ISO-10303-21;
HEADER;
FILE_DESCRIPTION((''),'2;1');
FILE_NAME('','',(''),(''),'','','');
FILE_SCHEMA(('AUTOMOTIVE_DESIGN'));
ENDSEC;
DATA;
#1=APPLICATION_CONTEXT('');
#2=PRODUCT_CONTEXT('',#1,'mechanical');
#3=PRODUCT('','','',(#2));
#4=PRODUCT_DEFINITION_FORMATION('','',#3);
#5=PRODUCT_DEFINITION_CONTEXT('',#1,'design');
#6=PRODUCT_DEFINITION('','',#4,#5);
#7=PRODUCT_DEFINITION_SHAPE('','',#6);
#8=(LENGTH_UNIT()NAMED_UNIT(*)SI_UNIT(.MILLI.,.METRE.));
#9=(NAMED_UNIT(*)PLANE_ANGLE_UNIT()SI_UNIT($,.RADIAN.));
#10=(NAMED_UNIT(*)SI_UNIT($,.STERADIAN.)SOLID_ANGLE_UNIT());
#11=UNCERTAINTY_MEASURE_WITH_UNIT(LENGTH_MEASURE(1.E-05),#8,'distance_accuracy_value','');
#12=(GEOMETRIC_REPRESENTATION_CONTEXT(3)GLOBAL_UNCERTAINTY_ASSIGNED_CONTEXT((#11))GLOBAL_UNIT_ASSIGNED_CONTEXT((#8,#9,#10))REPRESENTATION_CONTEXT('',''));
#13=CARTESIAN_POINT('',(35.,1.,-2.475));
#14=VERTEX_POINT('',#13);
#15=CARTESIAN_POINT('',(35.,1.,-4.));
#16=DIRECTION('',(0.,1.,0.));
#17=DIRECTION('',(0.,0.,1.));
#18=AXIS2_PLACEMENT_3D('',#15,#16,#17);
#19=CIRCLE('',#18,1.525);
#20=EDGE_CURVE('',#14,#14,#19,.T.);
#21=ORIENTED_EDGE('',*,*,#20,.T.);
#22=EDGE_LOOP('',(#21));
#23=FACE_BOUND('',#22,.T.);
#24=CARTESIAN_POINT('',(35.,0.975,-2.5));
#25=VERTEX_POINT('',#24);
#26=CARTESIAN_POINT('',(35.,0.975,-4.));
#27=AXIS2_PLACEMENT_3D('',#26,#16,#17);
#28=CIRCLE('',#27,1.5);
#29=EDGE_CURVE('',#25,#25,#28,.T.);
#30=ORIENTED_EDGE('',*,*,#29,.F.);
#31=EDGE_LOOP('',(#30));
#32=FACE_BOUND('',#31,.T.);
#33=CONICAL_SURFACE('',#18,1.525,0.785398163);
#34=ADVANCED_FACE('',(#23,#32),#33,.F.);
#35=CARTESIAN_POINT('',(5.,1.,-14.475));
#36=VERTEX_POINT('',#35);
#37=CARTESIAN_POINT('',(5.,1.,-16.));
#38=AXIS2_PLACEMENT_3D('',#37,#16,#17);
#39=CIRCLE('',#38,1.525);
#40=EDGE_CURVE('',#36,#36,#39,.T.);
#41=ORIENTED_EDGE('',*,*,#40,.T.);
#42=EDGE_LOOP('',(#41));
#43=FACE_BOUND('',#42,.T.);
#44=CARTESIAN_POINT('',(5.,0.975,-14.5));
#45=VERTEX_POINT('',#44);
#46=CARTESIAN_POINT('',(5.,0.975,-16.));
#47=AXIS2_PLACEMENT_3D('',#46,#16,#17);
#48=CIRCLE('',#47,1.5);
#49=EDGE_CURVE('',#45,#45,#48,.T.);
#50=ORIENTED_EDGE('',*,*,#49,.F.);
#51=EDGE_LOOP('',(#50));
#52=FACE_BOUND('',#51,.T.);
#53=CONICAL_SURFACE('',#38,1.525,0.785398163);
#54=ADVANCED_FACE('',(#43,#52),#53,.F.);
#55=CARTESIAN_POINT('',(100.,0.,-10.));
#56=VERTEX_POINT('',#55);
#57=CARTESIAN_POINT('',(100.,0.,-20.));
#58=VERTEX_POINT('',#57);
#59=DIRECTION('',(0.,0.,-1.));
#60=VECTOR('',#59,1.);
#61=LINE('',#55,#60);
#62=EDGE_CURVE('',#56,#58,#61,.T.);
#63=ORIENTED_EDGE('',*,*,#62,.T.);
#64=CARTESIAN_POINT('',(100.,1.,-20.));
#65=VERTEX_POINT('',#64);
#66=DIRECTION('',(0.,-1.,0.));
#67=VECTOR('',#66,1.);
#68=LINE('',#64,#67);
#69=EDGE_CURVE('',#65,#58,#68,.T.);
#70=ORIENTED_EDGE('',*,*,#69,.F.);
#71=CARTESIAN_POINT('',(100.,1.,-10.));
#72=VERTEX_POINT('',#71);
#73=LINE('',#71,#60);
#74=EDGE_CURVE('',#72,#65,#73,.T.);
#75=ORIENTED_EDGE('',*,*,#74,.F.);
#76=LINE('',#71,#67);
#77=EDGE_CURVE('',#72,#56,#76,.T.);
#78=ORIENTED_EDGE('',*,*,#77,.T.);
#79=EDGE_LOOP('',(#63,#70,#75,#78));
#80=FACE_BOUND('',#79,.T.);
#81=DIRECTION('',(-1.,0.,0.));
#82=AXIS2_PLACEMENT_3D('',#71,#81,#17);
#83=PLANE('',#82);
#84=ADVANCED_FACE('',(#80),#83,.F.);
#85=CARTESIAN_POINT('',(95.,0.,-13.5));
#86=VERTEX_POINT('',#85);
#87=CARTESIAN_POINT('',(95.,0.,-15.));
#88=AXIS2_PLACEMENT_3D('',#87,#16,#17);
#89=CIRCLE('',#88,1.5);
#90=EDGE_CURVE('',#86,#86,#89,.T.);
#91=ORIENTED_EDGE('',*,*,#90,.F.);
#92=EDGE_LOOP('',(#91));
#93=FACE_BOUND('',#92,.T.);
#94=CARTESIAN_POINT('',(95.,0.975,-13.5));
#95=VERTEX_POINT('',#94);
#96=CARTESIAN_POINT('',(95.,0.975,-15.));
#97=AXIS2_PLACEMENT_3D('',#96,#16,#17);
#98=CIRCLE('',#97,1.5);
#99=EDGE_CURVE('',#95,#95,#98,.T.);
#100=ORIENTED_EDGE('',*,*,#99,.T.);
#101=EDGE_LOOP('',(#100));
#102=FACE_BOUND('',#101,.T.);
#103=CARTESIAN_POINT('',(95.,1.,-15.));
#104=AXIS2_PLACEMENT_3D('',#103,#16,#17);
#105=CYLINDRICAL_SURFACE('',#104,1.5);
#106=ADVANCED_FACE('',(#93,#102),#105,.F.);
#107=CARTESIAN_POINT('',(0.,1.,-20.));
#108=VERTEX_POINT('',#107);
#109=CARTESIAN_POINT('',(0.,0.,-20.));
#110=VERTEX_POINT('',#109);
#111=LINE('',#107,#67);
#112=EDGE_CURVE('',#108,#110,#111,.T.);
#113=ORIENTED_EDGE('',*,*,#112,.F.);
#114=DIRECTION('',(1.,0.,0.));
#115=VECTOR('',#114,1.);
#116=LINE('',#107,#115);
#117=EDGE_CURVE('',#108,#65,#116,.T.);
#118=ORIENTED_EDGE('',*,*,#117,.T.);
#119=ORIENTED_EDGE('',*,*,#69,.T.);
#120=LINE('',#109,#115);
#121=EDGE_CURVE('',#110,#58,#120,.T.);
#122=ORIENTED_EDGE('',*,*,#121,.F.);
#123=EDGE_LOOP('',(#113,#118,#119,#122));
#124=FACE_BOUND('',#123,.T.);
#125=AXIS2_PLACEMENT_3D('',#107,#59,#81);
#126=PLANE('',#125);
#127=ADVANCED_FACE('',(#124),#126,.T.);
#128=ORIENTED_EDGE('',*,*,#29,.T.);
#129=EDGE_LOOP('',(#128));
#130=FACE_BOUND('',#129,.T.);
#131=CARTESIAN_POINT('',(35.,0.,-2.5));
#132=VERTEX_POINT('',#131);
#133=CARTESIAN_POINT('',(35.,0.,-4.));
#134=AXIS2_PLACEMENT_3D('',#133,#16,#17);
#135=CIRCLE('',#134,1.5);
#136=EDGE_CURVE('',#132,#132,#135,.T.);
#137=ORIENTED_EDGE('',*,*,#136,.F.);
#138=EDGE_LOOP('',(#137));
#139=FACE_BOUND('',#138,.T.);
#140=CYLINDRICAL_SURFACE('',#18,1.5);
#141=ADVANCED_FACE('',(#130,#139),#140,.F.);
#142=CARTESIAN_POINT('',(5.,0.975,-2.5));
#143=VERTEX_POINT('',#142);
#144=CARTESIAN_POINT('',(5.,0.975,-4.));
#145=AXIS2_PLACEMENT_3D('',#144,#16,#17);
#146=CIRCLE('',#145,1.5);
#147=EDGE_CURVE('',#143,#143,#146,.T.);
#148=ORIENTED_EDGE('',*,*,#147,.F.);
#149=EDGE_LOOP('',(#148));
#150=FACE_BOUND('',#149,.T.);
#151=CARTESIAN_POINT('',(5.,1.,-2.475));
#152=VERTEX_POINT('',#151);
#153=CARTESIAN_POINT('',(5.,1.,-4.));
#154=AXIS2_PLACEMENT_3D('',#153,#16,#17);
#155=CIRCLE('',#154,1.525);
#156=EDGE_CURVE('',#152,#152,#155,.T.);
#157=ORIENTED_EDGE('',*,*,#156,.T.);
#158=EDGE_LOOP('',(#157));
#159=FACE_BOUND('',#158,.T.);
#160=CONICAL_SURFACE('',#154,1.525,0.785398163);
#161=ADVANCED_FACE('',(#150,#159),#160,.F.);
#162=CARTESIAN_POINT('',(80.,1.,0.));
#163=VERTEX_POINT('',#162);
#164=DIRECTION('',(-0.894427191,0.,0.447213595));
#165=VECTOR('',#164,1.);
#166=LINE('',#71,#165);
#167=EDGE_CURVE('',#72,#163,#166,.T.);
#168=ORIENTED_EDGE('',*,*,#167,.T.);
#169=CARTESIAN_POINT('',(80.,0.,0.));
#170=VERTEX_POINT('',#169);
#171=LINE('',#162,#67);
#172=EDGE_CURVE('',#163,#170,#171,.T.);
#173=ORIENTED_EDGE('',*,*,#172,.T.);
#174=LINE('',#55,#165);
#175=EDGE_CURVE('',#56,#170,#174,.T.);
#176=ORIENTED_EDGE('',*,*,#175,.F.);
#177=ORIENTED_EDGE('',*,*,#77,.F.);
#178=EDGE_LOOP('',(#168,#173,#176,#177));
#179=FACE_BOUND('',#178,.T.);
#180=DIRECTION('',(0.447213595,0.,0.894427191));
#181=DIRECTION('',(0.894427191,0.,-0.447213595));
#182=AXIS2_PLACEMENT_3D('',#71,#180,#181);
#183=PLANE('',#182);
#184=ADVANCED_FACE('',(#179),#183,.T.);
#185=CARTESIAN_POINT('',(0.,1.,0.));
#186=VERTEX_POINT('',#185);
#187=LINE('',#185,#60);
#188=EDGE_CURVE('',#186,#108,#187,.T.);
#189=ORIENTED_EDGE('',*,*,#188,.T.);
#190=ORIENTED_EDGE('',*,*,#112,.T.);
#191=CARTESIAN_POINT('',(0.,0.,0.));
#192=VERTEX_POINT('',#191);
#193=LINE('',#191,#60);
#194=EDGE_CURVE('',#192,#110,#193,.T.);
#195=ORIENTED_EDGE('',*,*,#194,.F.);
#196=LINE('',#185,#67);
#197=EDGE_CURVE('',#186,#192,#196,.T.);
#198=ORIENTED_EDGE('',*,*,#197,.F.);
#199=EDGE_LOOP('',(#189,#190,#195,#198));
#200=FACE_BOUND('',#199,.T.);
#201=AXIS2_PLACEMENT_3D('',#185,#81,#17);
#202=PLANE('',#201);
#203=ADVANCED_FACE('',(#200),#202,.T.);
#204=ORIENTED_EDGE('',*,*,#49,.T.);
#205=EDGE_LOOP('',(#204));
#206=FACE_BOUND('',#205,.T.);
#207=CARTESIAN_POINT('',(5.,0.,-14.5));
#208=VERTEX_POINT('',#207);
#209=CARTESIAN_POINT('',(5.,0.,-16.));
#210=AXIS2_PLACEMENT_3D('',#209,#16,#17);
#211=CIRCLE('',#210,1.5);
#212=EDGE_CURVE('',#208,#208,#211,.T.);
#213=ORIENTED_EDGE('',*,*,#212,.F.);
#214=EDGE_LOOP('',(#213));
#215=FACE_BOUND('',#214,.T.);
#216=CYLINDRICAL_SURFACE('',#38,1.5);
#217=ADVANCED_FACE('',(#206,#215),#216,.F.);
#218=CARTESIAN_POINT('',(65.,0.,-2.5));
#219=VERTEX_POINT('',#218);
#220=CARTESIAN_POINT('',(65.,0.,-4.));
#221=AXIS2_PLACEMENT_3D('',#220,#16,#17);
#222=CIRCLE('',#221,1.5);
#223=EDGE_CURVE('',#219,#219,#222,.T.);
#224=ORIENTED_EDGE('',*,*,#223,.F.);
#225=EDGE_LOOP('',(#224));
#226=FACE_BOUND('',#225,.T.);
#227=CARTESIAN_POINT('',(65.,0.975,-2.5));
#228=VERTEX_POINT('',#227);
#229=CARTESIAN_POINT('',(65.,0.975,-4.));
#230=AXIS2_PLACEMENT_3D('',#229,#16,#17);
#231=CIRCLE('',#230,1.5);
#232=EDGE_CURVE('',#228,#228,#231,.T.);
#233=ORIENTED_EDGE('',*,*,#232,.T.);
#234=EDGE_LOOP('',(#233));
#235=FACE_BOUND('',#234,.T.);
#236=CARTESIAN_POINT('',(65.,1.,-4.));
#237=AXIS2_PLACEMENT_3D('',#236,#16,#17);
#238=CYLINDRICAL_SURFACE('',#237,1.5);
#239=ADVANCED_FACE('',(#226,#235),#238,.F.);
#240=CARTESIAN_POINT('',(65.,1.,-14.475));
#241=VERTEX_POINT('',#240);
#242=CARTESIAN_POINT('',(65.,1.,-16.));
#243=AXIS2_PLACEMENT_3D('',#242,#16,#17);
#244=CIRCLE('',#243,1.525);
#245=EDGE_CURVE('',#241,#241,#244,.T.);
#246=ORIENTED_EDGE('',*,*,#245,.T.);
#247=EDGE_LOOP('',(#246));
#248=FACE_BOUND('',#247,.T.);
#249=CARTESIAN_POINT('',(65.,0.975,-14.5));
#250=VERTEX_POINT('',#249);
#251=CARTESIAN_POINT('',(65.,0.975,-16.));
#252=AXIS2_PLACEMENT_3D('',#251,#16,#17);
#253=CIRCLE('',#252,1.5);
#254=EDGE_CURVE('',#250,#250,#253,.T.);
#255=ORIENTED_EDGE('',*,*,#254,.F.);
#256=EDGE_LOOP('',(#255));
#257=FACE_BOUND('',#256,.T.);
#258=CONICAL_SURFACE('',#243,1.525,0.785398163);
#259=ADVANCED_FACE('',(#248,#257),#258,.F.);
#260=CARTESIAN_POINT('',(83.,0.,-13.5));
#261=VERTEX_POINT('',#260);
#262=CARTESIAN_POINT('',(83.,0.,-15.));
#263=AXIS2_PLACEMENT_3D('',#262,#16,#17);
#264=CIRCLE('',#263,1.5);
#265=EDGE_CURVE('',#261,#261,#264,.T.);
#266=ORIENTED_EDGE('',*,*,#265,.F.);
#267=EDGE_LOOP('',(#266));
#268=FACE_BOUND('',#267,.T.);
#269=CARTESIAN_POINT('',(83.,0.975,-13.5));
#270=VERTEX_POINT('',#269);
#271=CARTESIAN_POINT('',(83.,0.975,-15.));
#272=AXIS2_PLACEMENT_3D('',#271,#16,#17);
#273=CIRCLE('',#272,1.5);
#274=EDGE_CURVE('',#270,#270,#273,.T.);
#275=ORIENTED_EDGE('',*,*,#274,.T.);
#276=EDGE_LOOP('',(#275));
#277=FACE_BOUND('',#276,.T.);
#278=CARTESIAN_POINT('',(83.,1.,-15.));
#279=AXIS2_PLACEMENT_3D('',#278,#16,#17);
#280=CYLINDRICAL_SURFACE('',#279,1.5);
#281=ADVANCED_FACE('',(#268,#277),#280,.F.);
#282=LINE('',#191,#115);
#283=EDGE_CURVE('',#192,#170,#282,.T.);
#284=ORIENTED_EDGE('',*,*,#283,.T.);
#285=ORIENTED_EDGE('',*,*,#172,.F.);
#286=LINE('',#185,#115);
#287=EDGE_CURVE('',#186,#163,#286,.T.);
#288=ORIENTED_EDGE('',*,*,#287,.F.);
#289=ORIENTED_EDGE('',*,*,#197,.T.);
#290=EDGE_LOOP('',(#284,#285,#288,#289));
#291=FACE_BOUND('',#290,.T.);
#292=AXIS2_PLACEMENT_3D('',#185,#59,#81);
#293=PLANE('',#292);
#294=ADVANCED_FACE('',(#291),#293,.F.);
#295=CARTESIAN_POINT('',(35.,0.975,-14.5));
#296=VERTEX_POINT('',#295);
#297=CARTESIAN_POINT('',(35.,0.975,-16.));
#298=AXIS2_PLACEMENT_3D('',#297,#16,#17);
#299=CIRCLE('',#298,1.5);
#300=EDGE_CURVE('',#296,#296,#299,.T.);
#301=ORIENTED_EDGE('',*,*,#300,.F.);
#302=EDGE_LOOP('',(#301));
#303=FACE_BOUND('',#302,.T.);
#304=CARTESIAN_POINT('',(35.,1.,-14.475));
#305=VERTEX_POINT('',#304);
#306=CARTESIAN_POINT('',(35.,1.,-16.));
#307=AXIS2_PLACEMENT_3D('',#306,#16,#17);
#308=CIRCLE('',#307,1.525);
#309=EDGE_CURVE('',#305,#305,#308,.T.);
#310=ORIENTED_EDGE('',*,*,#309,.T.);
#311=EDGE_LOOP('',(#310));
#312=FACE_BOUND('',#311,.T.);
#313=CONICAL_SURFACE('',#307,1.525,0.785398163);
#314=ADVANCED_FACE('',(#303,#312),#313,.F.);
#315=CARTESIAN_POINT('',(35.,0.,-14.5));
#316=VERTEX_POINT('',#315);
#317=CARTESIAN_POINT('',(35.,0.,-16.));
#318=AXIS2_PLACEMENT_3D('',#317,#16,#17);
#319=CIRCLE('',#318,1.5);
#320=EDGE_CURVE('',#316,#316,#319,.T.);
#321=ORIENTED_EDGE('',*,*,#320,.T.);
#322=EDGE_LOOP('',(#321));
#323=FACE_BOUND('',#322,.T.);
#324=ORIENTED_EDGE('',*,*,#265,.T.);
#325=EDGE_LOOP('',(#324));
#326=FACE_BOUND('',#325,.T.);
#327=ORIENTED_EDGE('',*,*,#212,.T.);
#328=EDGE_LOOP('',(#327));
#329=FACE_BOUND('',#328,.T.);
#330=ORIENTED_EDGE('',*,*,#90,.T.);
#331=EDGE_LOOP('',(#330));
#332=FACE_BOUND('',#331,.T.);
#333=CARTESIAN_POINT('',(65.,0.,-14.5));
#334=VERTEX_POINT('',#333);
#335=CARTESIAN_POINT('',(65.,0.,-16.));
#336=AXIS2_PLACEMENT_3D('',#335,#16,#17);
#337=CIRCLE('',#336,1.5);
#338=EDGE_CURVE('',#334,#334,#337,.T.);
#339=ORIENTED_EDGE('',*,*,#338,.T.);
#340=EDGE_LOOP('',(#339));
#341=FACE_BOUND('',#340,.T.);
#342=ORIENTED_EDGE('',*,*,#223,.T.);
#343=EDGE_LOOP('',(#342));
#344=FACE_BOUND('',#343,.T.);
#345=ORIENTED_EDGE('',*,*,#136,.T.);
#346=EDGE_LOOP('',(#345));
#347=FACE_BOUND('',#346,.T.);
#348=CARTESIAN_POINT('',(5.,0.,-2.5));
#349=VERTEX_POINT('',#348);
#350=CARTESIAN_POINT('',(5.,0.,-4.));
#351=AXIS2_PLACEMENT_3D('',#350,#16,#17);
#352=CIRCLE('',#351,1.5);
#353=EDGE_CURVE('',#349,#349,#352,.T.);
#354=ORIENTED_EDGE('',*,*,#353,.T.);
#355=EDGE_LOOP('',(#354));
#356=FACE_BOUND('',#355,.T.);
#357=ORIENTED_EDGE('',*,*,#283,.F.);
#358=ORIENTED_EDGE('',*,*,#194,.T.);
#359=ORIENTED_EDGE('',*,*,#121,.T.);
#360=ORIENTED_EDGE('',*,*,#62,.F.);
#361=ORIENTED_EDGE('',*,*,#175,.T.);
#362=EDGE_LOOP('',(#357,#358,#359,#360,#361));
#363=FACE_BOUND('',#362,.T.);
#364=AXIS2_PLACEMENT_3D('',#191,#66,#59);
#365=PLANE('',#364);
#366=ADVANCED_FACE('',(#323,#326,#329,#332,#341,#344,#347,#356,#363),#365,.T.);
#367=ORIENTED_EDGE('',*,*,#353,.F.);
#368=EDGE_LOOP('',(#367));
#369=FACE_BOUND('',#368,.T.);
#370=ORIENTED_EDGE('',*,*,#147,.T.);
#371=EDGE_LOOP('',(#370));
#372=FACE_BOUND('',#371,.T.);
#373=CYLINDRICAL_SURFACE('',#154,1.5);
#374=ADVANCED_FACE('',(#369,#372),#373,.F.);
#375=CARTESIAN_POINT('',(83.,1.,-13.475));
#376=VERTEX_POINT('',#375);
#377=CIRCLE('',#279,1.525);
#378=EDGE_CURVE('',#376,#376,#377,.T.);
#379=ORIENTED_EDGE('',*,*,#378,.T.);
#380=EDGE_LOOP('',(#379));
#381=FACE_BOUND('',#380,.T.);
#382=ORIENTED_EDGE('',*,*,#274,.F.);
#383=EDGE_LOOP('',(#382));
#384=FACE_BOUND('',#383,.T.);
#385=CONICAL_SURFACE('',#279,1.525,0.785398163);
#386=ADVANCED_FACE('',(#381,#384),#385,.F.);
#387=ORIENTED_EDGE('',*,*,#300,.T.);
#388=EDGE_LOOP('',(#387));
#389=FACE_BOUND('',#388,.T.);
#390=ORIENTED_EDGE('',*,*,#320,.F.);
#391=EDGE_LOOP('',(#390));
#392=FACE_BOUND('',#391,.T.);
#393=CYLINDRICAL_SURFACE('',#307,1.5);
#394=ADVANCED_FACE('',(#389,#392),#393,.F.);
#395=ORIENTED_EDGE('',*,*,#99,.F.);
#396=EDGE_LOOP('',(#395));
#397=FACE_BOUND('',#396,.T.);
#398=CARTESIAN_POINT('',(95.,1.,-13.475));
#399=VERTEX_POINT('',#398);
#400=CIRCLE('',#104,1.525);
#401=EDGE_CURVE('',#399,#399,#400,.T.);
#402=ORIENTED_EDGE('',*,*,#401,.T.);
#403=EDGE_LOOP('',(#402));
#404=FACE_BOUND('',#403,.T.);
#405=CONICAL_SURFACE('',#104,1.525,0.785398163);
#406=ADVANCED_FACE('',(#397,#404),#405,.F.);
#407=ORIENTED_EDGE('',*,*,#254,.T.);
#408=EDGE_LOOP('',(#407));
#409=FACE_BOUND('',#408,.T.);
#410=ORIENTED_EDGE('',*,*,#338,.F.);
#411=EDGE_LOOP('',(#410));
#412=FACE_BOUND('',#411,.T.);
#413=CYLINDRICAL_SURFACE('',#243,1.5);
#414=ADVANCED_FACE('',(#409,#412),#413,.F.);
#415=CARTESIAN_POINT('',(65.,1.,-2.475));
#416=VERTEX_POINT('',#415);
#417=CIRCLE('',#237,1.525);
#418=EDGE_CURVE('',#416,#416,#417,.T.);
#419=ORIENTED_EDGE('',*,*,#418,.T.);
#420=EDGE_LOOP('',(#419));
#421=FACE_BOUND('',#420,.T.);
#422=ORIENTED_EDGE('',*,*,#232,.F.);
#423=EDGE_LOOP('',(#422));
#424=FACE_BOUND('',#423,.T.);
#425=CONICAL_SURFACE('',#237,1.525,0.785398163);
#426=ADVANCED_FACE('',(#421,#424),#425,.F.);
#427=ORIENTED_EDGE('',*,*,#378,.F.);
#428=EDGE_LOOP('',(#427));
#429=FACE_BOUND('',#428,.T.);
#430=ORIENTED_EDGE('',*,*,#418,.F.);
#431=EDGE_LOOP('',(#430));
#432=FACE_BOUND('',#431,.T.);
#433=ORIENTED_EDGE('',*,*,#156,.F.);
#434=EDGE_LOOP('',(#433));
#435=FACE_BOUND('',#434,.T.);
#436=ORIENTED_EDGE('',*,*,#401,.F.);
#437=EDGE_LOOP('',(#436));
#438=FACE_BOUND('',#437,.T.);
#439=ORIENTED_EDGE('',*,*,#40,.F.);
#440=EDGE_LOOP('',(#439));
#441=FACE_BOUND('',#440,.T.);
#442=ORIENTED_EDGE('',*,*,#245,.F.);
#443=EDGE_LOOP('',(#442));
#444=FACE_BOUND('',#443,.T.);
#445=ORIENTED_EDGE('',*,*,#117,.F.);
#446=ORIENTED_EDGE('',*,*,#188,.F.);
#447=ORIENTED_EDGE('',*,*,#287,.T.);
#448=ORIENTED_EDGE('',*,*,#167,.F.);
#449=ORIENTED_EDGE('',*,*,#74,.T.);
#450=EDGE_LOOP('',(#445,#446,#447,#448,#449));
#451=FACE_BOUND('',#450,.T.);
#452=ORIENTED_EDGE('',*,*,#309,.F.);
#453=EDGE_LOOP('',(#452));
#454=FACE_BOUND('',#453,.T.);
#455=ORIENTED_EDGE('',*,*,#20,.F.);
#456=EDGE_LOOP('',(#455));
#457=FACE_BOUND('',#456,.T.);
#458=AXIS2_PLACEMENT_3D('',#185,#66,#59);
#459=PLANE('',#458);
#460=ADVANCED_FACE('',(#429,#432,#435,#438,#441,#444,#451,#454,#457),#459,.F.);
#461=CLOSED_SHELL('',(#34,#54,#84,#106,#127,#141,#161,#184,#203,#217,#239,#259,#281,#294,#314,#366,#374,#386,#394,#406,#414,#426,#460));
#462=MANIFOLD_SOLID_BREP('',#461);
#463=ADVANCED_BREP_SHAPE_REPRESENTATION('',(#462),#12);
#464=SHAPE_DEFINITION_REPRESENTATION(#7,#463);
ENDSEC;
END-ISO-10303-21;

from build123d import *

# Parameters (mm, degrees)
EXTRUDE_1_DEPTH      = 1
F_3_0MM_1_AT_2_COUNT = 2
F_3_0MM_1_AT_2_PITCH = 12
F_3_0MM_1_AT_3_COUNT = 2
F_3_0MM_1_AT_3_PITCH = 30
F_3_0MM_1_AT_4_COUNT = 2
F_3_0MM_1_AT_4_PITCH = 60
F_3_0MM_1_AT_5_COUNT = 2
F_3_0MM_1_AT_5_PITCH = 32.310988843
F_3_0MM_1_AT_6_COUNT = 2
F_3_0MM_1_AT_6_PITCH = 61.188234163
F_3_0MM_1_AT_7_COUNT = 2
F_3_0MM_1_AT_7_PITCH = 78.006409993
F_3_0MM_1_AT_8_COUNT = 2
F_3_0MM_1_AT_8_PITCH = 90.005555384


with BuildPart() as part:
    # 草图1 → 凸台-拉伸1 (new body)
    with BuildSketch(Plane(origin=(0, 0, 0), x_dir=(1, 0, 0), z_dir=(0, 1, 0))):
        Polygon((100, 10), (80, 0), (0, 0), (0, 20), (100, 20), align=None)
    extrude(amount=EXTRUDE_1_DEPTH)

    # 草图3 → Ø3.0mm 暗销孔1 (revolve, cut)
    with BuildSketch(Plane(origin=(5, 1, -16), x_dir=(0, 0, 1), z_dir=(1, 0, 0))):
        Polygon((0, 0), (0, 1), (1.5, 1), (1.5, 0.025), (1.525, 0), align=None)
    f_3_0mm_1 = revolve(axis=Axis((5, 7.35, -16), (0, -1, 0)), mode=Mode.SUBTRACT)

    # Ø3.0mm 暗销孔1 at 2: Ø3.0mm 暗销孔1 ×2
    with Locations(*[(0, 0, i * F_3_0MM_1_AT_2_PITCH) for i in range(1, F_3_0MM_1_AT_2_COUNT)]):
        add(f_3_0mm_1, mode=Mode.SUBTRACT)

    # Ø3.0mm 暗销孔1 at 3: Ø3.0mm 暗销孔1 ×2
    with Locations(*[(i * F_3_0MM_1_AT_3_PITCH, 0, 0) for i in range(1, F_3_0MM_1_AT_3_COUNT)]):
        add(f_3_0mm_1, mode=Mode.SUBTRACT)

    # Ø3.0mm 暗销孔1 at 4: Ø3.0mm 暗销孔1 ×2
    with Locations(*[(i * F_3_0MM_1_AT_4_PITCH, 0, 0) for i in range(1, F_3_0MM_1_AT_4_COUNT)]):
        add(f_3_0mm_1, mode=Mode.SUBTRACT)

    # Ø3.0mm 暗销孔1 at 5: Ø3.0mm 暗销孔1 ×2
    with Locations(*[Vector(0.9284766908852593, 0, 0.37139067635410383) * (i * F_3_0MM_1_AT_5_PITCH) for i in range(1, F_3_0MM_1_AT_5_COUNT)]):
        add(f_3_0mm_1, mode=Mode.SUBTRACT)

    # Ø3.0mm 暗销孔1 at 6: Ø3.0mm 暗销孔1 ×2
    with Locations(*[Vector(0.9805806756909202, 0, 0.19611613513818404) * (i * F_3_0MM_1_AT_6_PITCH) for i in range(1, F_3_0MM_1_AT_6_COUNT)]):
        add(f_3_0mm_1, mode=Mode.SUBTRACT)

    # Ø3.0mm 暗销孔1 at 7: Ø3.0mm 暗销孔1 ×2
    with Locations(*[Vector(0.9999178273551348, 0, 0.01281945932506583) * (i * F_3_0MM_1_AT_7_PITCH) for i in range(1, F_3_0MM_1_AT_7_COUNT)]):
        add(f_3_0mm_1, mode=Mode.SUBTRACT)

    # Ø3.0mm 暗销孔1 at 8: Ø3.0mm 暗销孔1 ×2
    with Locations(*[Vector(0.9999382773199424, 0, 0.011110425303554916) * (i * F_3_0MM_1_AT_8_PITCH) for i in range(1, F_3_0MM_1_AT_8_COUNT)]):
        add(f_3_0mm_1, mode=Mode.SUBTRACT)


solid = part.part
